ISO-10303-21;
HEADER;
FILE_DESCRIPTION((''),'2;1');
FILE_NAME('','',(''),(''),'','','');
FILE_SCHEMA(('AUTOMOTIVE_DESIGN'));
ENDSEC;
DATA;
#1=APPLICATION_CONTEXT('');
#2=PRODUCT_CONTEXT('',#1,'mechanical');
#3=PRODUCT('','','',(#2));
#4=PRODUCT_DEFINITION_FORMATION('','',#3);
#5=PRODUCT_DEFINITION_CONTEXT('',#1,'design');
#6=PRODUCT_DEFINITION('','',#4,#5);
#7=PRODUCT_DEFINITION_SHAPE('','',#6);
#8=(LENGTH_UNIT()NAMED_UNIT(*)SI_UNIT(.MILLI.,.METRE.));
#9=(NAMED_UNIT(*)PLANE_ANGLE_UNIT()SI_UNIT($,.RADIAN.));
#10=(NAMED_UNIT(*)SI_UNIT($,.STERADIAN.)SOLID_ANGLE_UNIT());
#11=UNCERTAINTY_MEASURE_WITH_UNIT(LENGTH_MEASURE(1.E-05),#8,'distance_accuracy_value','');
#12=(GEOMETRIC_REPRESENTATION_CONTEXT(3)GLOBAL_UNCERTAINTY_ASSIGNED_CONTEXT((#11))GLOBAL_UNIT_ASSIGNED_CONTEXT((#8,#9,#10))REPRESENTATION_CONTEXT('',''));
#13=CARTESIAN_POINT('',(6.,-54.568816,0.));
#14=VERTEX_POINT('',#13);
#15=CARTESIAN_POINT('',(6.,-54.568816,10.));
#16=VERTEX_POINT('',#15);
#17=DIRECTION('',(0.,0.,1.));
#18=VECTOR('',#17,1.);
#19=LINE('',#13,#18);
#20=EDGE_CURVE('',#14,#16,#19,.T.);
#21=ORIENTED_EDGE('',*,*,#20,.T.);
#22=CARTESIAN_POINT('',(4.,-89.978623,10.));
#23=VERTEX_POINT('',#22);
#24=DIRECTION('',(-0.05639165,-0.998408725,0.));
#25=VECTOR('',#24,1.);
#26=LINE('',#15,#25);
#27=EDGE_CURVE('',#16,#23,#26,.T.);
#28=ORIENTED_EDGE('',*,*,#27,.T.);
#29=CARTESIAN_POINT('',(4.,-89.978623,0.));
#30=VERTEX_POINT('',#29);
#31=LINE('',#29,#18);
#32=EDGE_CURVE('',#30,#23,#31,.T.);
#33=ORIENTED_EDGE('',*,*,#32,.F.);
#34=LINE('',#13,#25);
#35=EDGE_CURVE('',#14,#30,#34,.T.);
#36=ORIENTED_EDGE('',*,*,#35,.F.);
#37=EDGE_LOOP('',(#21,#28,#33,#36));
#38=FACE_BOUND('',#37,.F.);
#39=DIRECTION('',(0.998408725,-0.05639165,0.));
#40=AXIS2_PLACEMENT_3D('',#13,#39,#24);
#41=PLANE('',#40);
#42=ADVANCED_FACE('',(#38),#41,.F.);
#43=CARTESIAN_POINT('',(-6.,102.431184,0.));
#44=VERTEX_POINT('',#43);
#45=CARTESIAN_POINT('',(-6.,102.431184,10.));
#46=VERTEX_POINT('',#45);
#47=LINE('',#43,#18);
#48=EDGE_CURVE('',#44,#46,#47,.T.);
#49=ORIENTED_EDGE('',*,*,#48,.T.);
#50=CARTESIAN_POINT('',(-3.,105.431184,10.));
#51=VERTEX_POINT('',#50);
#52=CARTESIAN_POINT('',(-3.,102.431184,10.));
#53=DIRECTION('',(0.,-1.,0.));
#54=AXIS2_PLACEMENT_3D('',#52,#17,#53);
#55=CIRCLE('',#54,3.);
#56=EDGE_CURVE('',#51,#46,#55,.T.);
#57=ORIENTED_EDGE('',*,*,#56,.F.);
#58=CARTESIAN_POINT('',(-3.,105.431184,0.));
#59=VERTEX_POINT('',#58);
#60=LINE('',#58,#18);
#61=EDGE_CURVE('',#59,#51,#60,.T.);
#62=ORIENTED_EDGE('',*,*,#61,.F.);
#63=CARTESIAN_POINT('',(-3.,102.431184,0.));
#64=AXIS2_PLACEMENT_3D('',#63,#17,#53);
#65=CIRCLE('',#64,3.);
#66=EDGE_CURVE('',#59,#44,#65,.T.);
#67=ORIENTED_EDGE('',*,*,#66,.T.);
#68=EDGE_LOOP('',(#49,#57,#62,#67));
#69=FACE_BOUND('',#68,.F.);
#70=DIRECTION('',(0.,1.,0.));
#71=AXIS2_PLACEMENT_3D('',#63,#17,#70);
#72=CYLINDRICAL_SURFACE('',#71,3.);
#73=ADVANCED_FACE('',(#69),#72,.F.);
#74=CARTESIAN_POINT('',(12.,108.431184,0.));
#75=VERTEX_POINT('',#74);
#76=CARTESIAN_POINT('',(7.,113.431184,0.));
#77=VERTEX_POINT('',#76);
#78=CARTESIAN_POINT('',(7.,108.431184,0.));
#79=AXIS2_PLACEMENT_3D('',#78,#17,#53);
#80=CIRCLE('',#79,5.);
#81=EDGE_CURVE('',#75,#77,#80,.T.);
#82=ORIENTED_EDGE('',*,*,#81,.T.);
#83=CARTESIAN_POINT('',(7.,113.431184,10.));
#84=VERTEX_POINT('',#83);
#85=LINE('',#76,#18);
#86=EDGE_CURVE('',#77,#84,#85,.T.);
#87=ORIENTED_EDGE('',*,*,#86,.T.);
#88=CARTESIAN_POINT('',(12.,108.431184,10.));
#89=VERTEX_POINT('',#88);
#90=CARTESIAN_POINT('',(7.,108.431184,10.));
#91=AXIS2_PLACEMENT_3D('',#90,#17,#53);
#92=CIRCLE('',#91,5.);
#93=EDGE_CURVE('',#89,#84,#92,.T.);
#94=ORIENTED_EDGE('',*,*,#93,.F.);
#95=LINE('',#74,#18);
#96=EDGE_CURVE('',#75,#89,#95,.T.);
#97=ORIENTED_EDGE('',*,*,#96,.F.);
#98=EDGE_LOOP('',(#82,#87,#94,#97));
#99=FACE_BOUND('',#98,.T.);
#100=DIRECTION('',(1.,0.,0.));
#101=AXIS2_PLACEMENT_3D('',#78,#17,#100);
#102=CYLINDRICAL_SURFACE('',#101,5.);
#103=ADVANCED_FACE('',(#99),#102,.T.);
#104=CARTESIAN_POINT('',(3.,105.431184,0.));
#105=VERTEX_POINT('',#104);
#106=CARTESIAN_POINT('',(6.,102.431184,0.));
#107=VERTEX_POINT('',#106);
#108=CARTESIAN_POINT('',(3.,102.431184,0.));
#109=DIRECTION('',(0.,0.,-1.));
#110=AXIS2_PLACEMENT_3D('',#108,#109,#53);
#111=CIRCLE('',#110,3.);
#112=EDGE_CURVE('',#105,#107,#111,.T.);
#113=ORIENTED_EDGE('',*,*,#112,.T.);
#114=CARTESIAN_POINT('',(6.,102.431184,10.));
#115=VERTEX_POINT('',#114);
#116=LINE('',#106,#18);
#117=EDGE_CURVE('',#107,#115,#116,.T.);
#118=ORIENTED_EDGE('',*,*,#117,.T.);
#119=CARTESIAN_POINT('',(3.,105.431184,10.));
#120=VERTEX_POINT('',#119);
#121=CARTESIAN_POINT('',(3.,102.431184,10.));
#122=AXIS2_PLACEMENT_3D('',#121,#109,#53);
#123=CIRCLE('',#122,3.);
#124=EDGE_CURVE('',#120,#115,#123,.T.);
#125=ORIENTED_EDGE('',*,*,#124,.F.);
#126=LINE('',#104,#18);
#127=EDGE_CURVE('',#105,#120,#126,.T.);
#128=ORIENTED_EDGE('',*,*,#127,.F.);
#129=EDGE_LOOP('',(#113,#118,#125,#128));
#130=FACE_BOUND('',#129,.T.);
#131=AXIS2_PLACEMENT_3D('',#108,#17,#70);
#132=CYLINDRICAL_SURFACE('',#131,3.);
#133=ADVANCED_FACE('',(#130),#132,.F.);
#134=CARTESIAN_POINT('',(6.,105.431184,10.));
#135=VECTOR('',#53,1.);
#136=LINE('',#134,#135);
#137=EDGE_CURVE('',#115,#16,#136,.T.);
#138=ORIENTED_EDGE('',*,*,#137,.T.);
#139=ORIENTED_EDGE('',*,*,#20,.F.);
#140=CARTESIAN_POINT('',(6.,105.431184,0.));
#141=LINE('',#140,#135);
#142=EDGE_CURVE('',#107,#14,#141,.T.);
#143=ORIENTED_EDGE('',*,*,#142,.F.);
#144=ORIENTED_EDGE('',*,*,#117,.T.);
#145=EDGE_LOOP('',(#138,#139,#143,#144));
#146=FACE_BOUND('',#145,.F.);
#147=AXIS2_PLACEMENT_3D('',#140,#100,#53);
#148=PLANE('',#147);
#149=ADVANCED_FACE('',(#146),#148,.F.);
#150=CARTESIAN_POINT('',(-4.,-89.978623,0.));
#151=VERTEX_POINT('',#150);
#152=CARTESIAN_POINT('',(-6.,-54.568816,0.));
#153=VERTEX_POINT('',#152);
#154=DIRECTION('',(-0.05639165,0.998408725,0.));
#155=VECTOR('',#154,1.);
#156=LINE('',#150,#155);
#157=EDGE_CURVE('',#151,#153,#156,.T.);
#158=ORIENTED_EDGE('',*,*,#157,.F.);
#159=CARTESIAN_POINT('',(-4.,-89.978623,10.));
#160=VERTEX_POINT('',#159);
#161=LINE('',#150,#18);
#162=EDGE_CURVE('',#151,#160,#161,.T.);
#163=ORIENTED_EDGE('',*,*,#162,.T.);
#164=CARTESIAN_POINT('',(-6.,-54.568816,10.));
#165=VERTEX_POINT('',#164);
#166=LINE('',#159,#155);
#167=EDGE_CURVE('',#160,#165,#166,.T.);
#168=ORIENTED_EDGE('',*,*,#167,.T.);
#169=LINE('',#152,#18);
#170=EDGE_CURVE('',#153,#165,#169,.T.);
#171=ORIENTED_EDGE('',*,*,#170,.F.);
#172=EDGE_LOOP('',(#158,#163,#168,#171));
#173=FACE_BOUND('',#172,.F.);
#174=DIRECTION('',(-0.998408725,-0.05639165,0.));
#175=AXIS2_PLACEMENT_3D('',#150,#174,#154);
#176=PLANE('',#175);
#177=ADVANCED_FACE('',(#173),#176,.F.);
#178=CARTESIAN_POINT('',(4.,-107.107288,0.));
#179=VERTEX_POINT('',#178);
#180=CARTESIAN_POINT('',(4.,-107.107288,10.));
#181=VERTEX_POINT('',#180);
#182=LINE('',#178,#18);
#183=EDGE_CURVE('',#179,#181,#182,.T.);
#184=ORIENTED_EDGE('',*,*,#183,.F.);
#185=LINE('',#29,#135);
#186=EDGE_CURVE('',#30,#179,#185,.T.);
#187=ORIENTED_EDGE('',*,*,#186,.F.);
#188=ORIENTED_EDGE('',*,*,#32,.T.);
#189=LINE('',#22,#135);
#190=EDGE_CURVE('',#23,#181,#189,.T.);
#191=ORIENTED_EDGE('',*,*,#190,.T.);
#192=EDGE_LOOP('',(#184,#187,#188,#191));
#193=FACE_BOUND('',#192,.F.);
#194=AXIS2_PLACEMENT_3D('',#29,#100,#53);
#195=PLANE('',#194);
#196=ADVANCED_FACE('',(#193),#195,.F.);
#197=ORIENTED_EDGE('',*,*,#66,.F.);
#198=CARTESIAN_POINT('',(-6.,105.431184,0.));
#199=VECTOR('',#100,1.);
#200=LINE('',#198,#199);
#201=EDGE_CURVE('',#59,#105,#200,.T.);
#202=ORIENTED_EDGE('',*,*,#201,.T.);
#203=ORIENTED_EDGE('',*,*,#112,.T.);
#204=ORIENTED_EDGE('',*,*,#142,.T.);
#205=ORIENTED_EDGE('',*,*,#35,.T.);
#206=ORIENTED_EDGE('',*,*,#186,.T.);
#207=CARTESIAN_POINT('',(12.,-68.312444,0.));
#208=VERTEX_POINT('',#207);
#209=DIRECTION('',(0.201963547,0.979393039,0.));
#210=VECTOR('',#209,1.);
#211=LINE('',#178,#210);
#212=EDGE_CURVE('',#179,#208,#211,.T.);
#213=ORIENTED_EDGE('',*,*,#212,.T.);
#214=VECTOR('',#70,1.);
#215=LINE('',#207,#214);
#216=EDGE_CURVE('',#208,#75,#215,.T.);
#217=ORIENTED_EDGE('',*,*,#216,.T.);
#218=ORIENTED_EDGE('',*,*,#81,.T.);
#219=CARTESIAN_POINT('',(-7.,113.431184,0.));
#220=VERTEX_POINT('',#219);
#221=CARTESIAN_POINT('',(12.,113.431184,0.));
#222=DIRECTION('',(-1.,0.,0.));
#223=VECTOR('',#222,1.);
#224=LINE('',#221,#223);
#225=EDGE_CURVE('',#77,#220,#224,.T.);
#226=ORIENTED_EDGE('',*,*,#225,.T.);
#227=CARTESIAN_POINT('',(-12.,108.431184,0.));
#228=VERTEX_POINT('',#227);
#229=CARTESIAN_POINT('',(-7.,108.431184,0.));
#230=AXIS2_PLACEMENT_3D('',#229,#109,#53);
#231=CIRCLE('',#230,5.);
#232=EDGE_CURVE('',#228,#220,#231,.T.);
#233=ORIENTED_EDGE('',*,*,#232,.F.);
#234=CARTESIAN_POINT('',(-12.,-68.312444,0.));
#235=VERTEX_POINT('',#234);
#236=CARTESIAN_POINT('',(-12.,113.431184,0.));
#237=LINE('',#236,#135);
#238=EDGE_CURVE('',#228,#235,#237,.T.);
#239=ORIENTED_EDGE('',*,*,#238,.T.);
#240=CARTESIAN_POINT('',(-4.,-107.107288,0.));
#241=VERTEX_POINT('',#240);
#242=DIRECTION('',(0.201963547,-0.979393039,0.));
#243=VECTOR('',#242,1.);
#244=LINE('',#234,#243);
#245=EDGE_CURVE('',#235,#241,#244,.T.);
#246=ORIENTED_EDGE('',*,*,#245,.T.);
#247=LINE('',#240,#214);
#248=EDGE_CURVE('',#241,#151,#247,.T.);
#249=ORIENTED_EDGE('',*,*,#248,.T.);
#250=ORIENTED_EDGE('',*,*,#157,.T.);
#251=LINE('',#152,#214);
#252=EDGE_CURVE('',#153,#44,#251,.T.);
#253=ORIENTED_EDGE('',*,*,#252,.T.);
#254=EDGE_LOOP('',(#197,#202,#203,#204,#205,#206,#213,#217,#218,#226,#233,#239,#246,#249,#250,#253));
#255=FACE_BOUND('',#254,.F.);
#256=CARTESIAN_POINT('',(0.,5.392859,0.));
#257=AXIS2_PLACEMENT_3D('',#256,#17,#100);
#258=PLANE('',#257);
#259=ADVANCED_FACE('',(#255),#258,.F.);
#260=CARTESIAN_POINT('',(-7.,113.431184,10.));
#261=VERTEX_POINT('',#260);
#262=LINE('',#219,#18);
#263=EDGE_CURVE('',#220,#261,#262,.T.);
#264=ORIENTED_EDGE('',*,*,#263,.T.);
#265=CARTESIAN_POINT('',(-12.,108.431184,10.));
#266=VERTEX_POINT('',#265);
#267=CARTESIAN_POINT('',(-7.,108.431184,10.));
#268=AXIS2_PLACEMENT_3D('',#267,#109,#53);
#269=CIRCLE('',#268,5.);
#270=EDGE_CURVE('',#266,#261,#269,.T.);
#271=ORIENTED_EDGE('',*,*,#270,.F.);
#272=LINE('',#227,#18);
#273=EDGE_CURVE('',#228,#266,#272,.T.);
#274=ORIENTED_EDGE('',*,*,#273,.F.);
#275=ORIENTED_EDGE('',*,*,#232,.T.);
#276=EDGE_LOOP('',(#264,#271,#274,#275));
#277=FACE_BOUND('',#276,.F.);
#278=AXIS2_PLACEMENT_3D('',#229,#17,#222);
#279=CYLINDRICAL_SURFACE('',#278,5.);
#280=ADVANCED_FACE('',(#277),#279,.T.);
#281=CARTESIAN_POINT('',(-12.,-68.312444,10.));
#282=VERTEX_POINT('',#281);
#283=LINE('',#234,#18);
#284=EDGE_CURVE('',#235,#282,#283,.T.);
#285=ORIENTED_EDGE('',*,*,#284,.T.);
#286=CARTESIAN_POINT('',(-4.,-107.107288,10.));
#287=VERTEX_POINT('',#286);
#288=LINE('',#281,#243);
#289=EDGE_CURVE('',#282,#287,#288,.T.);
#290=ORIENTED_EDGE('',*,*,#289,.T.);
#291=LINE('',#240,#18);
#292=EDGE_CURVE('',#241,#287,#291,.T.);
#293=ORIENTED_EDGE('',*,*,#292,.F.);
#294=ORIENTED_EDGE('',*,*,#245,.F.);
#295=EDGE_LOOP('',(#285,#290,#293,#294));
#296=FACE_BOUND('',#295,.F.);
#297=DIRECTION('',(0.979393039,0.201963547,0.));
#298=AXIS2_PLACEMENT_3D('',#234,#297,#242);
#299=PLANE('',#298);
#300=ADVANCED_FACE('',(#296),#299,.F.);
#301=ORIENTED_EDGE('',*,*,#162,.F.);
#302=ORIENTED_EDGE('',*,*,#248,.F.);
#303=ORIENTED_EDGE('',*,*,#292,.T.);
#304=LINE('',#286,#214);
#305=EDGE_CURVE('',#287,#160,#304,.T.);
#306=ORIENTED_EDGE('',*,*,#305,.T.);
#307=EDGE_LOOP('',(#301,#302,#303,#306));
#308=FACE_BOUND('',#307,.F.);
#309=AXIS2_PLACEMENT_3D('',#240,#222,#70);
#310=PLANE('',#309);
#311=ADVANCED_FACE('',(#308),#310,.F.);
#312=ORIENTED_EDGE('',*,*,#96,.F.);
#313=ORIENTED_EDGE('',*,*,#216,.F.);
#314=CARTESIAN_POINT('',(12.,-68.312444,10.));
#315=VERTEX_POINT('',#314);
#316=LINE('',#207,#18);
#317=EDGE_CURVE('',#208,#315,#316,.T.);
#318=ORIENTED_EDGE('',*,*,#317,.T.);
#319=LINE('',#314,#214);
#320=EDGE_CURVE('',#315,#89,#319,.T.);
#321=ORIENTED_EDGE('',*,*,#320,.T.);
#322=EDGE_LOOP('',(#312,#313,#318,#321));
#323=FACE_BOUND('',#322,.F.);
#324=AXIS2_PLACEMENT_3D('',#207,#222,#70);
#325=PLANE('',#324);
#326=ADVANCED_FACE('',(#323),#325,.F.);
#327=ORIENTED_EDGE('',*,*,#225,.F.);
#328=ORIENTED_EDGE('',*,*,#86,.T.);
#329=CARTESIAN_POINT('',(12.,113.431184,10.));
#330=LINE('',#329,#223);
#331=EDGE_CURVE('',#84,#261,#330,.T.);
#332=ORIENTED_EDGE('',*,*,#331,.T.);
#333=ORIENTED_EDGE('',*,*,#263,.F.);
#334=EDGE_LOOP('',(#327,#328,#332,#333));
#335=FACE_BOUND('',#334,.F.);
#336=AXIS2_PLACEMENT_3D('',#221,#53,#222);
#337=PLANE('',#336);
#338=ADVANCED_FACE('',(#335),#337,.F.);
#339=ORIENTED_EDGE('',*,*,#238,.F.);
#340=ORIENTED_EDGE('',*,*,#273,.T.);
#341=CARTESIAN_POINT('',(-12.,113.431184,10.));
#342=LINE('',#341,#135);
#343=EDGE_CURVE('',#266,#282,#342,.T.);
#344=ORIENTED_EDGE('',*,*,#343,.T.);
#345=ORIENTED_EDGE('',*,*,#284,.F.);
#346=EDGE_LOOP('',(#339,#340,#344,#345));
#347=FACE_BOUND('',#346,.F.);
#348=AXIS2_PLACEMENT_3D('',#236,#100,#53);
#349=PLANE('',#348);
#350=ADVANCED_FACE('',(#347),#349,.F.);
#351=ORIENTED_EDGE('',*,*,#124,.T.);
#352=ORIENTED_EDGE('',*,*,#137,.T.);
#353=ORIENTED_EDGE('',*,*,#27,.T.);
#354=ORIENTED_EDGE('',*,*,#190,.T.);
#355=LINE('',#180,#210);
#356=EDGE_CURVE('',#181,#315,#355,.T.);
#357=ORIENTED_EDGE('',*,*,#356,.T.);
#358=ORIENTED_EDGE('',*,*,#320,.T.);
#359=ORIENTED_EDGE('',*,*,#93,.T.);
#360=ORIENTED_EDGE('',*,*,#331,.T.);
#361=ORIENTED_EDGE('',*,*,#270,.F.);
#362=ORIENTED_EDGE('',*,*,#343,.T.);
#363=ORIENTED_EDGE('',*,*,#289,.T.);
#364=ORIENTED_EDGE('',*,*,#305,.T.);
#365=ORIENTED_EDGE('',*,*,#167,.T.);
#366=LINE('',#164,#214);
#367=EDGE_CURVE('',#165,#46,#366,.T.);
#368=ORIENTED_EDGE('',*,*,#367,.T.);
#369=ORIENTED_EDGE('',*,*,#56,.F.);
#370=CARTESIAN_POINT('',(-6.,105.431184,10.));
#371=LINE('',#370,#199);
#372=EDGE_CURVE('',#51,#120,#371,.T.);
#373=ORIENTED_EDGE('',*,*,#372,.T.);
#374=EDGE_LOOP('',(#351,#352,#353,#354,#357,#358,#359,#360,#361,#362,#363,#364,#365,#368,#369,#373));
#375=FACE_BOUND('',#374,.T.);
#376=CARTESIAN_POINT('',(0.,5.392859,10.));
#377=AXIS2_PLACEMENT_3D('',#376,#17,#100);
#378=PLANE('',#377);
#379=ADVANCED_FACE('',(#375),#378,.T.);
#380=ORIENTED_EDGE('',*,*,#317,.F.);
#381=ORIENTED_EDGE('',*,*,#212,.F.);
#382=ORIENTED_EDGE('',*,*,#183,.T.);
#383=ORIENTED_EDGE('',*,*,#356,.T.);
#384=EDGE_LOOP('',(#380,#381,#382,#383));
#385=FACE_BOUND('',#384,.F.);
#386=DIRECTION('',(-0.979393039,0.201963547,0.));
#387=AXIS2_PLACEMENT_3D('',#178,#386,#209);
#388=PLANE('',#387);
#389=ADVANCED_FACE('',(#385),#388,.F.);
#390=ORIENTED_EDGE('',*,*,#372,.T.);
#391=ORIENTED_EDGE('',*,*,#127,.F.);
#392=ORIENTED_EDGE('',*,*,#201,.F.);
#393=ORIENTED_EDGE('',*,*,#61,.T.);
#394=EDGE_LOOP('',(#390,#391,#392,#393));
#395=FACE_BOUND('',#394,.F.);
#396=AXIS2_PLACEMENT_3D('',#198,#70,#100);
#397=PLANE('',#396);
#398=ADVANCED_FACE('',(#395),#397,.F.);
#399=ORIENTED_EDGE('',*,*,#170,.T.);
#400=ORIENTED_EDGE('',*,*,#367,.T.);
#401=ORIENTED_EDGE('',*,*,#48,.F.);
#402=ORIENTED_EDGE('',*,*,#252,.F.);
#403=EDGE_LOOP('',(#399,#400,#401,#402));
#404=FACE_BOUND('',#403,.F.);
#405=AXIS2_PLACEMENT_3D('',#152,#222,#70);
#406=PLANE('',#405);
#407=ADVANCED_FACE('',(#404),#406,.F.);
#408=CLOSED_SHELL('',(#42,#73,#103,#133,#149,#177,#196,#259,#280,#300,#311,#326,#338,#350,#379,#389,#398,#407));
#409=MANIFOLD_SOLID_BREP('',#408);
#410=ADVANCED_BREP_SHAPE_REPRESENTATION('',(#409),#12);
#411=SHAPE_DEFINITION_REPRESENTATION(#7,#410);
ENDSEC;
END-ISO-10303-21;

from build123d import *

# Parameters (mm, degrees)
F1_DEPTH = 10
F2_R     = 3
F3_R     = 5


with BuildPart() as f1:
    # F0 (on Top) → F1 (new body)
    with BuildSketch(Plane.XY):
        Polygon((-6, 105.431184), (0, 105.431184), (6, 105.431184), (6, -54.568816), (4, -89.978623), (4, -107.107288), (12, -68.312444), (12, 113.431184), (0, 113.431184), (-12, 113.431184), (-12, -68.312444), (-4, -107.107288), (-4, -89.978623), (-6, -54.568816), align=None)
    extrude(amount=F1_DEPTH)

    # F2
    f2_edges = [f1.edges().sort_by_distance(p)[0] for p in [
        (6, 105.431184, 5),
        (-6, 105.431184, 5),
    ]]
    fillet(f2_edges, radius=F2_R)

    # F3
    f3_edges = [f1.edges().sort_by_distance(p)[0] for p in [
        (-12, 113.431184, 5),
        (12, 113.431184, 5),
    ]]
    fillet(f3_edges, radius=F3_R)


solid = f1.part
